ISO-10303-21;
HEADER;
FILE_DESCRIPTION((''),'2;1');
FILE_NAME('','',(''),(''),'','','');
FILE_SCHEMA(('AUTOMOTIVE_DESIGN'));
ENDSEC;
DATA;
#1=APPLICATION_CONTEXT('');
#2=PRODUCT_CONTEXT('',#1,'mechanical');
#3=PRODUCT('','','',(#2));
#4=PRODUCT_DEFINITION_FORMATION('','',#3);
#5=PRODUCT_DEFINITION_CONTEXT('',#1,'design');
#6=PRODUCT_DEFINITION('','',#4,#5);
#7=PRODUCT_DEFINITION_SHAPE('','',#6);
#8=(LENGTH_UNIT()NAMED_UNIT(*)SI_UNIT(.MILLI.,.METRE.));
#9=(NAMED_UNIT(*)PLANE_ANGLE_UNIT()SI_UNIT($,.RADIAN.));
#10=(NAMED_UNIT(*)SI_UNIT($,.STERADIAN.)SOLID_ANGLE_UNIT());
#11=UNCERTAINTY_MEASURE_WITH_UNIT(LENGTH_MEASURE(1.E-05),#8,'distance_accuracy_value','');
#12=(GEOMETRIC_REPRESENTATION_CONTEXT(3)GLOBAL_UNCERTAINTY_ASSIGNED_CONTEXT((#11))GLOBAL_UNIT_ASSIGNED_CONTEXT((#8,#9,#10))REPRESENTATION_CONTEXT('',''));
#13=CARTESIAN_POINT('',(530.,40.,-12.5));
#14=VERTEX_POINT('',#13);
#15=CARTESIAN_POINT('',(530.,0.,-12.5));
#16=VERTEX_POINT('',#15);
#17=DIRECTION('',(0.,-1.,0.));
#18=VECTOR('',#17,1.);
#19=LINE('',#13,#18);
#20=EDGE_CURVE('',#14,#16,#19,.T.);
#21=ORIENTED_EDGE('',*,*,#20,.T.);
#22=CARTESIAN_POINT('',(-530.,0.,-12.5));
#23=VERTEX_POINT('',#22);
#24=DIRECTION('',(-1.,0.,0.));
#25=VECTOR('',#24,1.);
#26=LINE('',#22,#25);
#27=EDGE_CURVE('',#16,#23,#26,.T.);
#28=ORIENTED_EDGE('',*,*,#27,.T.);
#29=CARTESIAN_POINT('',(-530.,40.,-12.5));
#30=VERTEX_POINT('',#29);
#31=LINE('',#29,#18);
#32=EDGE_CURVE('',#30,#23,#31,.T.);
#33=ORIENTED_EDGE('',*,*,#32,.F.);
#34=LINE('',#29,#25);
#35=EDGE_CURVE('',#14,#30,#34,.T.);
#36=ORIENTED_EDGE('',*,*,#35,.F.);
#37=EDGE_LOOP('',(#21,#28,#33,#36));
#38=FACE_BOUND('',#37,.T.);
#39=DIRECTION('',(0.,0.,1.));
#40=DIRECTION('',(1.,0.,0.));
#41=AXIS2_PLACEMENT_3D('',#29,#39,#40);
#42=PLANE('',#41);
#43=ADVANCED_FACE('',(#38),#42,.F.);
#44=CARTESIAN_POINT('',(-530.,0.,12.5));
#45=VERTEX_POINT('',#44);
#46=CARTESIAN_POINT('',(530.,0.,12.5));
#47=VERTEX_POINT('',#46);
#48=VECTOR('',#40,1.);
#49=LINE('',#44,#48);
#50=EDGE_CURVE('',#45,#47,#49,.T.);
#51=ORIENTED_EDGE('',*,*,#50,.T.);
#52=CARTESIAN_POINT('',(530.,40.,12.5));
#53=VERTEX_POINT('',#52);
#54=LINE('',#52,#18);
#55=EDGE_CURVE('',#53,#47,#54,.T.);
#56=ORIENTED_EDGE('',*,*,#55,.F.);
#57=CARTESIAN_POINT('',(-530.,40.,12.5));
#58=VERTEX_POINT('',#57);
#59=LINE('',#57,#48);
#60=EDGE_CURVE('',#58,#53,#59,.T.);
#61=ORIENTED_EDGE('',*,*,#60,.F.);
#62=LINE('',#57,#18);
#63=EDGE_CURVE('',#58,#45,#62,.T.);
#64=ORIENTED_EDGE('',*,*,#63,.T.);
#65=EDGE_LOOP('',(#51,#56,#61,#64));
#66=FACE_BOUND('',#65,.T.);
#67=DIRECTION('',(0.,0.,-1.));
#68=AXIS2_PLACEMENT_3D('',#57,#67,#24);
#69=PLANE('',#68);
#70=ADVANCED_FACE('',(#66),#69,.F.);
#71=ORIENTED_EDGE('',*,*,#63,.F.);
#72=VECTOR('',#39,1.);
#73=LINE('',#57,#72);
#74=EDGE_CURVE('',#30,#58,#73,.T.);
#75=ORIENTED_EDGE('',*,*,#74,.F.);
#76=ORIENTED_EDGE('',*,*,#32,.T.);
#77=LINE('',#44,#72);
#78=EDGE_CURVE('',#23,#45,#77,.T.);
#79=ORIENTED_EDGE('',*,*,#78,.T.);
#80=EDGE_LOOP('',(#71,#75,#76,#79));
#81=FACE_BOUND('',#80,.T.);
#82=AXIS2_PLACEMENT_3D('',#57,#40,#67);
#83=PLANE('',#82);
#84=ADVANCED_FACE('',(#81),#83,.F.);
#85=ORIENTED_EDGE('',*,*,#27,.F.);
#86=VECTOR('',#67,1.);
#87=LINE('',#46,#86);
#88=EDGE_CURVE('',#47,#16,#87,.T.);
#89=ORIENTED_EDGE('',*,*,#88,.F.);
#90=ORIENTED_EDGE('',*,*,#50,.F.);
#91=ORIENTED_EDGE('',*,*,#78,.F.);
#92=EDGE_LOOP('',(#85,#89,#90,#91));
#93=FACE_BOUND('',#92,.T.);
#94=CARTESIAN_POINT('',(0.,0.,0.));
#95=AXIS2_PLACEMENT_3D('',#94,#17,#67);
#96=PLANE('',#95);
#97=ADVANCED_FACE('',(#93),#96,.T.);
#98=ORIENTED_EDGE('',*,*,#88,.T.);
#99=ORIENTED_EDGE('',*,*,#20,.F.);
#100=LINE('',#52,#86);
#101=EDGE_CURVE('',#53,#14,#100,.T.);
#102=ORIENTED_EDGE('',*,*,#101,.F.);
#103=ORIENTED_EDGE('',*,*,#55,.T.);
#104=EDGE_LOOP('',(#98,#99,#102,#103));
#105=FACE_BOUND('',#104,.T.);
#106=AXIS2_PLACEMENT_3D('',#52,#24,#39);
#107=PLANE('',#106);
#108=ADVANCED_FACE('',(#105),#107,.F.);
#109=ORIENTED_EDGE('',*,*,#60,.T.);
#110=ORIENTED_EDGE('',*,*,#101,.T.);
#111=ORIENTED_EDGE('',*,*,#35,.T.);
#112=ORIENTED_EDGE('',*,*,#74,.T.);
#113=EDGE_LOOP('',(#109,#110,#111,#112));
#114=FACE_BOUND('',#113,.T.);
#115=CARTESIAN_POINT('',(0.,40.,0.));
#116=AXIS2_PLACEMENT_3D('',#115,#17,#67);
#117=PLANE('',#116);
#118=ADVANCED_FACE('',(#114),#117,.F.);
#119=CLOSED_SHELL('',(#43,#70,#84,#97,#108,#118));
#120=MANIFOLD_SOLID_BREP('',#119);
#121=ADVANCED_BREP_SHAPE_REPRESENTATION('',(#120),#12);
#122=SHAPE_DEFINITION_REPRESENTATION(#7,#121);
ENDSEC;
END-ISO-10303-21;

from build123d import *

# Parameters (mm, degrees)
CROQUIS_TRAVESANO_W   = 1060
CROQUIS_TRAVESANO_H   = 25
TRAVESANO_LARGO_DEPTH = 40


with BuildPart() as part:
    # Croquis_travesano → Travesano_largo (new body)
    with BuildSketch(Plane(origin=(0, 0, 0), x_dir=(1, 0, 0), z_dir=(0, 1, 0))):
        Rectangle(CROQUIS_TRAVESANO_W, CROQUIS_TRAVESANO_H)
    extrude(amount=TRAVESANO_LARGO_DEPTH)


solid = part.part
